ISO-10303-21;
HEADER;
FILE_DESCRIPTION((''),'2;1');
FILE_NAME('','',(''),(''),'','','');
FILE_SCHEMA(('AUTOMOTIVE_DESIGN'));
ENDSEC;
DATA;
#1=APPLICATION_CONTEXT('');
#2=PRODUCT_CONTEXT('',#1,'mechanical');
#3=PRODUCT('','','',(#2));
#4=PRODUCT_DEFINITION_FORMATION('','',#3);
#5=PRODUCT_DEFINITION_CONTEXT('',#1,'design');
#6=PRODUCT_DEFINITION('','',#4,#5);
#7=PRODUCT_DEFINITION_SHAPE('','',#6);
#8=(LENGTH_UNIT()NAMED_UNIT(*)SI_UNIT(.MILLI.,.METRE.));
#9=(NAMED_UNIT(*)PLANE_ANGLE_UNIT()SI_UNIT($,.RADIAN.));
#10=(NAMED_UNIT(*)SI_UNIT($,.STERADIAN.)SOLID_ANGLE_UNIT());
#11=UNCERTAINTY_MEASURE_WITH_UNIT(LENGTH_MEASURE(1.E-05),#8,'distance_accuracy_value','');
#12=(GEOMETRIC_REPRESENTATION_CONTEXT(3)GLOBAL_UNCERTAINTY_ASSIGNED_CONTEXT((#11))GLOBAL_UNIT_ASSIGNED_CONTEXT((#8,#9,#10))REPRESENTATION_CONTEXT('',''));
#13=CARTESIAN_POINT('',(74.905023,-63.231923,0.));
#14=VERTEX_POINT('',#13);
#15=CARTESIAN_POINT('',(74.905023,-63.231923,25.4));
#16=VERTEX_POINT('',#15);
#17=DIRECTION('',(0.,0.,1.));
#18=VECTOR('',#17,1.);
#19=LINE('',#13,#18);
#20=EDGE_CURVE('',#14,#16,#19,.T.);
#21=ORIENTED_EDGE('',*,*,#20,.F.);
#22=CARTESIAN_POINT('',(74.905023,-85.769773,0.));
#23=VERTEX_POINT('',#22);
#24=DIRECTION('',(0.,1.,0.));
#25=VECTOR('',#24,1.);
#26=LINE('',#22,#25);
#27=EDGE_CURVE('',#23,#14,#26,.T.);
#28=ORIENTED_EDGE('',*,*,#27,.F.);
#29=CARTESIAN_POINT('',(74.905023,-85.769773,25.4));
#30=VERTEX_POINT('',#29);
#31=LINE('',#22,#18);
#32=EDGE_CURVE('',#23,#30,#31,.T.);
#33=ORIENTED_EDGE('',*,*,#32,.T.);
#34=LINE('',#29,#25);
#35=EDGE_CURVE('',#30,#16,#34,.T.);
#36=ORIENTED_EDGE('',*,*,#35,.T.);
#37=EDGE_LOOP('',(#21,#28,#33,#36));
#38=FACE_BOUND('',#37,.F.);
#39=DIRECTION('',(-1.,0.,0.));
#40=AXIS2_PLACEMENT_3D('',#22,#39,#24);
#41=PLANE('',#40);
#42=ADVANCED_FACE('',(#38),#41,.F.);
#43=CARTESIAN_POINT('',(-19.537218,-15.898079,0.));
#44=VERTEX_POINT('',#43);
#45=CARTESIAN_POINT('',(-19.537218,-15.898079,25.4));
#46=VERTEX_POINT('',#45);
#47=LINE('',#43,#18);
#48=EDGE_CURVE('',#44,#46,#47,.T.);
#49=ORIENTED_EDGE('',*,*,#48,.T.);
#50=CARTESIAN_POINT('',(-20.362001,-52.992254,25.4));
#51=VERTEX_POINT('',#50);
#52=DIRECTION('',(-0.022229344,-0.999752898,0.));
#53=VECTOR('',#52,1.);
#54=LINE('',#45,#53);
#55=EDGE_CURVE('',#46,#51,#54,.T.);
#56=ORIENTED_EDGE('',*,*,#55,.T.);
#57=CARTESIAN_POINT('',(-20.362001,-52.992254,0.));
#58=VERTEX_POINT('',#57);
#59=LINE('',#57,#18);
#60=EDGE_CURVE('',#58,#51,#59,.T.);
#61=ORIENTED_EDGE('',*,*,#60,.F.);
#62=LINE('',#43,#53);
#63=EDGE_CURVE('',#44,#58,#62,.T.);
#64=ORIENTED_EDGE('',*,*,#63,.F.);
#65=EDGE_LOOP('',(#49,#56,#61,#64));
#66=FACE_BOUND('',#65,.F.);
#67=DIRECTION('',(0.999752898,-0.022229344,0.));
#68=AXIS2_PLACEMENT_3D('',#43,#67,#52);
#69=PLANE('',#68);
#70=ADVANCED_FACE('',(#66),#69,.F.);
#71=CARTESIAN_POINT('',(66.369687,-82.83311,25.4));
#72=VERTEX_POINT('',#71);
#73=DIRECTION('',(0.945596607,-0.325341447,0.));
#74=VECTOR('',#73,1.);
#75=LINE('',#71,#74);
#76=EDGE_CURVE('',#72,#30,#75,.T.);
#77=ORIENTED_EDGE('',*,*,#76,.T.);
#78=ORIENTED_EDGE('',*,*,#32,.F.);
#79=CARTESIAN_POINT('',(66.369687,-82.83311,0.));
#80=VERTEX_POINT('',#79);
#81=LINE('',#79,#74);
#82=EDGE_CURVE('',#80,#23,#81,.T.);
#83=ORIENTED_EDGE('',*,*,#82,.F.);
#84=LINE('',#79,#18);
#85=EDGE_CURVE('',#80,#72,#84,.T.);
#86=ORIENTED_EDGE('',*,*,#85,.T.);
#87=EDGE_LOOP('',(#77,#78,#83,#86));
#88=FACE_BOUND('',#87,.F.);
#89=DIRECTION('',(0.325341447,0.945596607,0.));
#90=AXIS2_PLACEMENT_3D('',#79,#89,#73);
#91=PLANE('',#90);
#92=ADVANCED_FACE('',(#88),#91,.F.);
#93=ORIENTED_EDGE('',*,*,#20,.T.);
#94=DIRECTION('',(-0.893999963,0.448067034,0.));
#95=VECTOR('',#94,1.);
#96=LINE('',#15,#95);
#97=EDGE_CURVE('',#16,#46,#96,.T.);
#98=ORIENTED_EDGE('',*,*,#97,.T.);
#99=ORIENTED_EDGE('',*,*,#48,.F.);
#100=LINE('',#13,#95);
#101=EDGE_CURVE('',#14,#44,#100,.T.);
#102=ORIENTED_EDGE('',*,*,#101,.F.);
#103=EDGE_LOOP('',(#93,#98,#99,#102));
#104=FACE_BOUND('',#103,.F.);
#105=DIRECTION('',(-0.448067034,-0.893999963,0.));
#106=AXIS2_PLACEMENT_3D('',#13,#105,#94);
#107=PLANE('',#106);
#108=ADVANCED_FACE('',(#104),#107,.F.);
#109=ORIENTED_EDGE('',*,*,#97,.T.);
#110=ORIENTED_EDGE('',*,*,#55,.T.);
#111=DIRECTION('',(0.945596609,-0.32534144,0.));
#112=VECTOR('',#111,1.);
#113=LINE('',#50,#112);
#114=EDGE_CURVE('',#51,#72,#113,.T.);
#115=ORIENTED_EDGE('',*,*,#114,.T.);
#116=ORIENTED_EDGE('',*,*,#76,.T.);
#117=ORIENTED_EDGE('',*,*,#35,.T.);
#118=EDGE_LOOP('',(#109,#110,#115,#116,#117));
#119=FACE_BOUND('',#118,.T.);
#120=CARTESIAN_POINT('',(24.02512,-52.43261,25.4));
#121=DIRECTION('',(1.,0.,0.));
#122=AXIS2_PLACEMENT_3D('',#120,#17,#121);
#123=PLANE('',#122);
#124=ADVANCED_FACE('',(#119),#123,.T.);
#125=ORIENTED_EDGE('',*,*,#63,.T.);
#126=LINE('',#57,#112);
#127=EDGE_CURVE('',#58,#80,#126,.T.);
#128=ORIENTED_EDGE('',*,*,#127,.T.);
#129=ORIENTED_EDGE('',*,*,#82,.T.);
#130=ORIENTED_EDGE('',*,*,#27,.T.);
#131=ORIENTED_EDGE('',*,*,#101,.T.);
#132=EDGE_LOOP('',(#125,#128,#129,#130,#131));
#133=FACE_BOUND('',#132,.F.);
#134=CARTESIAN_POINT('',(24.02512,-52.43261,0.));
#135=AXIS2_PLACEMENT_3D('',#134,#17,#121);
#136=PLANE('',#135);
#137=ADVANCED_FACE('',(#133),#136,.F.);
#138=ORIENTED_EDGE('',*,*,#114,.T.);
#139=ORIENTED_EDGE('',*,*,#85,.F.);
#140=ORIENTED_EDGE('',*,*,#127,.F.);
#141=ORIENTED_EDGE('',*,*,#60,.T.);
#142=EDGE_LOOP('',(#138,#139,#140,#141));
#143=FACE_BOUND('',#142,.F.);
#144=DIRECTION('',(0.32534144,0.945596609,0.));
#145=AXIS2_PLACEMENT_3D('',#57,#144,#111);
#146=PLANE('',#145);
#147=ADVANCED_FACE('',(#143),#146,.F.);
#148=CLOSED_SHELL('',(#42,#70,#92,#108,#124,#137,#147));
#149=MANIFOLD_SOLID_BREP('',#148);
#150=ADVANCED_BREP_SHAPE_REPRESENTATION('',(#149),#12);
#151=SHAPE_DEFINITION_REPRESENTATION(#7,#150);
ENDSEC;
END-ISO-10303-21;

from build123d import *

# Parameters (mm, degrees)
F1_DEPTH = 25.4


with BuildPart() as f1:
    # F0 (on Top) → F1 (new body)
    with BuildSketch(Plane.XY):
        Polygon((74.905023, -63.231923), (-19.537218, -15.898079), (-20.362001, -52.992254), (66.369687, -82.83311), (66.369687, -76.226563), (74.905023, -76.226563), align=None)
        Polygon((74.905023, -85.769773), (74.905023, -76.226563), (66.369687, -76.226563), (66.369687, -82.83311), align=None)
    extrude(amount=F1_DEPTH)


solid = f1.part
